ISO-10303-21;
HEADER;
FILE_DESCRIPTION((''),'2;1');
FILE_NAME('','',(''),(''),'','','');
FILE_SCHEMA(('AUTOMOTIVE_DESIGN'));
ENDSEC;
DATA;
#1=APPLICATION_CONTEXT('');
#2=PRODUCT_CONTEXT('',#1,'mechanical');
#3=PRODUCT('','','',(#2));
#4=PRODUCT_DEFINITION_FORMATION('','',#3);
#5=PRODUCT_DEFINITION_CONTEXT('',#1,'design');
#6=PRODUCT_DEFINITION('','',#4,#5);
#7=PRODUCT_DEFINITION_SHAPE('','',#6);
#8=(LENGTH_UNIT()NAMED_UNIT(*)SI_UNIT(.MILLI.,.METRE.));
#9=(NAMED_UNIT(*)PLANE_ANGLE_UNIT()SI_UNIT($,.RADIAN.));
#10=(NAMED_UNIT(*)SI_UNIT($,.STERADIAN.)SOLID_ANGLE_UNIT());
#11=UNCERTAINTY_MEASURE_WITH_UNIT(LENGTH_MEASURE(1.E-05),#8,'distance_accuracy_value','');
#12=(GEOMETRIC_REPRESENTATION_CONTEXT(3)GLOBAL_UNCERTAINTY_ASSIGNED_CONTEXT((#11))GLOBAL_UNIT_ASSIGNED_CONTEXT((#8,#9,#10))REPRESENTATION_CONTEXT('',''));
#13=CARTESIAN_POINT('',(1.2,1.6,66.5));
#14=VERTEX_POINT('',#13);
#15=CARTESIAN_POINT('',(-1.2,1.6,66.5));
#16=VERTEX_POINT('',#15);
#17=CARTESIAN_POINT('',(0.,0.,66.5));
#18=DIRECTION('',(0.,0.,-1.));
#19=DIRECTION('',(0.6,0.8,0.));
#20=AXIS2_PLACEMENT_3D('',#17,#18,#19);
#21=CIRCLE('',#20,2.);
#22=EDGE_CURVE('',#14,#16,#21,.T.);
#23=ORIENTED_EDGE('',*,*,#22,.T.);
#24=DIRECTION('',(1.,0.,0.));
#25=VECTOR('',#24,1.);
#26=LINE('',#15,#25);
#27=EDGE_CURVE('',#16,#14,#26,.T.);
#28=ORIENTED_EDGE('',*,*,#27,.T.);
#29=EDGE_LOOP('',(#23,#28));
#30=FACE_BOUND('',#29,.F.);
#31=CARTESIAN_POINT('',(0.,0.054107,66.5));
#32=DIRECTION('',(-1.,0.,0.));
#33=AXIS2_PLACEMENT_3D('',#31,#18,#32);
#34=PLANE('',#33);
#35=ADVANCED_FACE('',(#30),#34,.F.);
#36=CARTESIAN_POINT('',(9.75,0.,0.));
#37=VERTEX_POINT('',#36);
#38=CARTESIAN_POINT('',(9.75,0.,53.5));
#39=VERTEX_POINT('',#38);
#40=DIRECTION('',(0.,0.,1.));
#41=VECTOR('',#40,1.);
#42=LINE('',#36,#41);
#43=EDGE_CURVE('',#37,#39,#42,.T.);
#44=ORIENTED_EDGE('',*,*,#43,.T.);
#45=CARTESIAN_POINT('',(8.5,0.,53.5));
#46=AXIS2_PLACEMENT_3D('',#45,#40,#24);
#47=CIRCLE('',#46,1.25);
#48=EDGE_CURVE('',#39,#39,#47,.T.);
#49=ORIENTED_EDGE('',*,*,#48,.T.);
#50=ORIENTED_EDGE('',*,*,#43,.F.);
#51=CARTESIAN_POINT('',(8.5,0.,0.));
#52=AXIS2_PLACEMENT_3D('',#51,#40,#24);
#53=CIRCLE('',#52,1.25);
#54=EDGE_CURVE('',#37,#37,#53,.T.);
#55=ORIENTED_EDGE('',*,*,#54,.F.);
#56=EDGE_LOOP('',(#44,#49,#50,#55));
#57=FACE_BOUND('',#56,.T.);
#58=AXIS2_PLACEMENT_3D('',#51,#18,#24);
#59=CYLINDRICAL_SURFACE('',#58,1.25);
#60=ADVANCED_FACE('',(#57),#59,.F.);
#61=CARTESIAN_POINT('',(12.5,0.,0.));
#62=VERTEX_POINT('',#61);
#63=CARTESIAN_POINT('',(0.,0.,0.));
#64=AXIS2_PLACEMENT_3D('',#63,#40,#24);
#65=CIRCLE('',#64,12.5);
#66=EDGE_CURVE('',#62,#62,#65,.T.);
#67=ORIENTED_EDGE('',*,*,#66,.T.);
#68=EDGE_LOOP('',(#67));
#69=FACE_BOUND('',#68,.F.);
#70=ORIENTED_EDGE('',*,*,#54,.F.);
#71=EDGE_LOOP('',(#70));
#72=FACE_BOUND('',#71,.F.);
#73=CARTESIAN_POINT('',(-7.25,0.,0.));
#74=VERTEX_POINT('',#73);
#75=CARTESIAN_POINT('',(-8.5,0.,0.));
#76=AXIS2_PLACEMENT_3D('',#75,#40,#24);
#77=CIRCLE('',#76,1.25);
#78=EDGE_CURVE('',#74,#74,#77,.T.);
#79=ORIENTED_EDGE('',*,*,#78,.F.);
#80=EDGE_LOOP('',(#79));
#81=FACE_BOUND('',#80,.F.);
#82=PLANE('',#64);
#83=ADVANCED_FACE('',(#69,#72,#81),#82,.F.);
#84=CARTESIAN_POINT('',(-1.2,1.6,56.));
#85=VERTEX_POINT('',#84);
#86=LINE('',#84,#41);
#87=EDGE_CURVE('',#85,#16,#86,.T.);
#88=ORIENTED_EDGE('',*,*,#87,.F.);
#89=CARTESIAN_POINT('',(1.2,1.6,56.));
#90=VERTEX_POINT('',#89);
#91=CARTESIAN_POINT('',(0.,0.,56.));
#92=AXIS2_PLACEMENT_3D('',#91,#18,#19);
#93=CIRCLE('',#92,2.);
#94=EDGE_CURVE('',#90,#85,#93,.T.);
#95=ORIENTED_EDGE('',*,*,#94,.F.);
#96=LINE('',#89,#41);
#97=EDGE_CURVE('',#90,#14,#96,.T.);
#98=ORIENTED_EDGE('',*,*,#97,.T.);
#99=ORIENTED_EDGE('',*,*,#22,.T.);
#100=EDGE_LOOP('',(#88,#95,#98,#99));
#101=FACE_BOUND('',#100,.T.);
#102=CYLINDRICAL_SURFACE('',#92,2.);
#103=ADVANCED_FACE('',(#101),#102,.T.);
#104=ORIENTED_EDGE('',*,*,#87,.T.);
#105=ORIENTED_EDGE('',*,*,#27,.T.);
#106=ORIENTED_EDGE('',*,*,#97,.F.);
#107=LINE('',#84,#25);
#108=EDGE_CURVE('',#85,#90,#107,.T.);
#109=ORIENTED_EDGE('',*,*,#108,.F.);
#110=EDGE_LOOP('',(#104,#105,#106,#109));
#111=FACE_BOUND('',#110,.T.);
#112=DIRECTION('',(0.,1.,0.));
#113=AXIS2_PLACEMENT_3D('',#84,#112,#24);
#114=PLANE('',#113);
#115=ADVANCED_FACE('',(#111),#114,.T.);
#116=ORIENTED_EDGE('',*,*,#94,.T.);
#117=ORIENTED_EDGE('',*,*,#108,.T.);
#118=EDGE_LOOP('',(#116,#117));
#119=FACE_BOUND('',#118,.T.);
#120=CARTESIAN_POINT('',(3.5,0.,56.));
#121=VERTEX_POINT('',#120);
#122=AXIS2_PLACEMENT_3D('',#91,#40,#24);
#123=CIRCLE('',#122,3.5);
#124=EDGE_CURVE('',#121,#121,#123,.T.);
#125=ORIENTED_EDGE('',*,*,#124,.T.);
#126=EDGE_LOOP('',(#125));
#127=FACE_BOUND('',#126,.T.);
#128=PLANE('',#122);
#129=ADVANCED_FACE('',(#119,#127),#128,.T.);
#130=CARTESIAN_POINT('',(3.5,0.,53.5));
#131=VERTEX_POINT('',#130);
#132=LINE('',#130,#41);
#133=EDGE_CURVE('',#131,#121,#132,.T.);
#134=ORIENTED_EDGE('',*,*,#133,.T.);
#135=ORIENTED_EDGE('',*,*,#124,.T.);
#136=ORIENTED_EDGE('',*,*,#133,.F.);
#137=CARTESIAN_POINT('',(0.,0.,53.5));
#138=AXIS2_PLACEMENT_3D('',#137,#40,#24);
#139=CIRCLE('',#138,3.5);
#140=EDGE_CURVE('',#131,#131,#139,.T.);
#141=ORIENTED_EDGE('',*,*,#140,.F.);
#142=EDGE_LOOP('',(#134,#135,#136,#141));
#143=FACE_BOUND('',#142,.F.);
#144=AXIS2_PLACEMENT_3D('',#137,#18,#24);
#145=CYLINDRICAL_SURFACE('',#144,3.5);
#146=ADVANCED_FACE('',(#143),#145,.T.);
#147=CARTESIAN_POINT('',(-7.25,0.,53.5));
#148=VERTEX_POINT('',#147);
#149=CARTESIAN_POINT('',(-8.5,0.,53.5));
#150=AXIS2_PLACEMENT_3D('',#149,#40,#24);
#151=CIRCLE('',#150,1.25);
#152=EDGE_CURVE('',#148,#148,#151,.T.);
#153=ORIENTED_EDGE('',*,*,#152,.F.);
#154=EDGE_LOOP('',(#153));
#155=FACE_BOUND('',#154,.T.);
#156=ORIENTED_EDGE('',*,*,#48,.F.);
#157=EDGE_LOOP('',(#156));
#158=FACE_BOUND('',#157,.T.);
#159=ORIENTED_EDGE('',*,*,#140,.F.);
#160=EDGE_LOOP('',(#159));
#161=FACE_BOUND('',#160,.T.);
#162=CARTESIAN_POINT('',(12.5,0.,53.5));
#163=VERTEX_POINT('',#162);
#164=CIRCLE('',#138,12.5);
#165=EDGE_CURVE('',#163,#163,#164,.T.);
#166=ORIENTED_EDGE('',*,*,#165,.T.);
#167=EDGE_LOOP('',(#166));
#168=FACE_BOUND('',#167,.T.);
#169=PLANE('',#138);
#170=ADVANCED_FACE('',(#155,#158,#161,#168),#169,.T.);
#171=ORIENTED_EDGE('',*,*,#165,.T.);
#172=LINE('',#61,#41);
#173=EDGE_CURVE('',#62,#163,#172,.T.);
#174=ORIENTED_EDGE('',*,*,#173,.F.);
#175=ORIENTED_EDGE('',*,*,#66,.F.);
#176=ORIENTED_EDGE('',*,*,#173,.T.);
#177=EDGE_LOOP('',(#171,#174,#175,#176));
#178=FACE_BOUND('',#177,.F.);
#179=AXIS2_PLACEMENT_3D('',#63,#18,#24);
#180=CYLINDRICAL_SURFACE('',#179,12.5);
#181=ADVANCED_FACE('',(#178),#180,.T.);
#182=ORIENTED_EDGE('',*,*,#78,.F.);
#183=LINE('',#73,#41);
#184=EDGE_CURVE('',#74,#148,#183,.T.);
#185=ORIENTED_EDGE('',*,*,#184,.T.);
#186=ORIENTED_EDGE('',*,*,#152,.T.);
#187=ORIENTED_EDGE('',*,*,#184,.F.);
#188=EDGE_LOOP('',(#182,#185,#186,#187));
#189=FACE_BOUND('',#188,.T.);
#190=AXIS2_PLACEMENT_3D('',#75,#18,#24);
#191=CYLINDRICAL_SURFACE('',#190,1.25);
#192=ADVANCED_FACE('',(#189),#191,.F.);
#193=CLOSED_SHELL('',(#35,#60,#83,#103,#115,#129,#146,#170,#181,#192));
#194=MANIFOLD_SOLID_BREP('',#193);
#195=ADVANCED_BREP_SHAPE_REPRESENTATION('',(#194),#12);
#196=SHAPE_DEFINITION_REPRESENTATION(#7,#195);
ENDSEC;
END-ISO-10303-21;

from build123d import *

# Parameters (mm, degrees)
SKETCH1_R           = 12.5
SKETCH1_R_2         = 1.25
BOSS_EXTRUDE1_DEPTH = 53.5
SKETCH2_R           = 3.5
BOSS_EXTRUDE2_DEPTH = 2.5
BOSS_EXTRUDE3_DEPTH = 10.5


with BuildPart() as part:
    # Sketch1 → Boss-Extrude1 (new body)
    with BuildSketch(Plane.XY):
        Circle(SKETCH1_R)
        with Locations((-8.5, 0)):
            Circle(SKETCH1_R_2, mode=Mode.SUBTRACT)
        with Locations((8.5, 0)):
            Circle(SKETCH1_R_2, mode=Mode.SUBTRACT)
    extrude(amount=BOSS_EXTRUDE1_DEPTH)

    # Sketch2 → Boss-Extrude2 (add)
    with BuildSketch(Plane.XY.offset(53.5)):
        Circle(SKETCH2_R)
    extrude(amount=BOSS_EXTRUDE2_DEPTH)

    # Sketch3 → Boss-Extrude3 (add)
    with BuildSketch(Plane.XY.offset(56)):
        with BuildLine():
            Line((-1.2, 1.6), (1.2, 1.6))
            ThreePointArc((1.2, 1.6), (0, -2), (-1.2, 1.6))
        make_face()
    extrude(amount=BOSS_EXTRUDE3_DEPTH)


solid = part.part
